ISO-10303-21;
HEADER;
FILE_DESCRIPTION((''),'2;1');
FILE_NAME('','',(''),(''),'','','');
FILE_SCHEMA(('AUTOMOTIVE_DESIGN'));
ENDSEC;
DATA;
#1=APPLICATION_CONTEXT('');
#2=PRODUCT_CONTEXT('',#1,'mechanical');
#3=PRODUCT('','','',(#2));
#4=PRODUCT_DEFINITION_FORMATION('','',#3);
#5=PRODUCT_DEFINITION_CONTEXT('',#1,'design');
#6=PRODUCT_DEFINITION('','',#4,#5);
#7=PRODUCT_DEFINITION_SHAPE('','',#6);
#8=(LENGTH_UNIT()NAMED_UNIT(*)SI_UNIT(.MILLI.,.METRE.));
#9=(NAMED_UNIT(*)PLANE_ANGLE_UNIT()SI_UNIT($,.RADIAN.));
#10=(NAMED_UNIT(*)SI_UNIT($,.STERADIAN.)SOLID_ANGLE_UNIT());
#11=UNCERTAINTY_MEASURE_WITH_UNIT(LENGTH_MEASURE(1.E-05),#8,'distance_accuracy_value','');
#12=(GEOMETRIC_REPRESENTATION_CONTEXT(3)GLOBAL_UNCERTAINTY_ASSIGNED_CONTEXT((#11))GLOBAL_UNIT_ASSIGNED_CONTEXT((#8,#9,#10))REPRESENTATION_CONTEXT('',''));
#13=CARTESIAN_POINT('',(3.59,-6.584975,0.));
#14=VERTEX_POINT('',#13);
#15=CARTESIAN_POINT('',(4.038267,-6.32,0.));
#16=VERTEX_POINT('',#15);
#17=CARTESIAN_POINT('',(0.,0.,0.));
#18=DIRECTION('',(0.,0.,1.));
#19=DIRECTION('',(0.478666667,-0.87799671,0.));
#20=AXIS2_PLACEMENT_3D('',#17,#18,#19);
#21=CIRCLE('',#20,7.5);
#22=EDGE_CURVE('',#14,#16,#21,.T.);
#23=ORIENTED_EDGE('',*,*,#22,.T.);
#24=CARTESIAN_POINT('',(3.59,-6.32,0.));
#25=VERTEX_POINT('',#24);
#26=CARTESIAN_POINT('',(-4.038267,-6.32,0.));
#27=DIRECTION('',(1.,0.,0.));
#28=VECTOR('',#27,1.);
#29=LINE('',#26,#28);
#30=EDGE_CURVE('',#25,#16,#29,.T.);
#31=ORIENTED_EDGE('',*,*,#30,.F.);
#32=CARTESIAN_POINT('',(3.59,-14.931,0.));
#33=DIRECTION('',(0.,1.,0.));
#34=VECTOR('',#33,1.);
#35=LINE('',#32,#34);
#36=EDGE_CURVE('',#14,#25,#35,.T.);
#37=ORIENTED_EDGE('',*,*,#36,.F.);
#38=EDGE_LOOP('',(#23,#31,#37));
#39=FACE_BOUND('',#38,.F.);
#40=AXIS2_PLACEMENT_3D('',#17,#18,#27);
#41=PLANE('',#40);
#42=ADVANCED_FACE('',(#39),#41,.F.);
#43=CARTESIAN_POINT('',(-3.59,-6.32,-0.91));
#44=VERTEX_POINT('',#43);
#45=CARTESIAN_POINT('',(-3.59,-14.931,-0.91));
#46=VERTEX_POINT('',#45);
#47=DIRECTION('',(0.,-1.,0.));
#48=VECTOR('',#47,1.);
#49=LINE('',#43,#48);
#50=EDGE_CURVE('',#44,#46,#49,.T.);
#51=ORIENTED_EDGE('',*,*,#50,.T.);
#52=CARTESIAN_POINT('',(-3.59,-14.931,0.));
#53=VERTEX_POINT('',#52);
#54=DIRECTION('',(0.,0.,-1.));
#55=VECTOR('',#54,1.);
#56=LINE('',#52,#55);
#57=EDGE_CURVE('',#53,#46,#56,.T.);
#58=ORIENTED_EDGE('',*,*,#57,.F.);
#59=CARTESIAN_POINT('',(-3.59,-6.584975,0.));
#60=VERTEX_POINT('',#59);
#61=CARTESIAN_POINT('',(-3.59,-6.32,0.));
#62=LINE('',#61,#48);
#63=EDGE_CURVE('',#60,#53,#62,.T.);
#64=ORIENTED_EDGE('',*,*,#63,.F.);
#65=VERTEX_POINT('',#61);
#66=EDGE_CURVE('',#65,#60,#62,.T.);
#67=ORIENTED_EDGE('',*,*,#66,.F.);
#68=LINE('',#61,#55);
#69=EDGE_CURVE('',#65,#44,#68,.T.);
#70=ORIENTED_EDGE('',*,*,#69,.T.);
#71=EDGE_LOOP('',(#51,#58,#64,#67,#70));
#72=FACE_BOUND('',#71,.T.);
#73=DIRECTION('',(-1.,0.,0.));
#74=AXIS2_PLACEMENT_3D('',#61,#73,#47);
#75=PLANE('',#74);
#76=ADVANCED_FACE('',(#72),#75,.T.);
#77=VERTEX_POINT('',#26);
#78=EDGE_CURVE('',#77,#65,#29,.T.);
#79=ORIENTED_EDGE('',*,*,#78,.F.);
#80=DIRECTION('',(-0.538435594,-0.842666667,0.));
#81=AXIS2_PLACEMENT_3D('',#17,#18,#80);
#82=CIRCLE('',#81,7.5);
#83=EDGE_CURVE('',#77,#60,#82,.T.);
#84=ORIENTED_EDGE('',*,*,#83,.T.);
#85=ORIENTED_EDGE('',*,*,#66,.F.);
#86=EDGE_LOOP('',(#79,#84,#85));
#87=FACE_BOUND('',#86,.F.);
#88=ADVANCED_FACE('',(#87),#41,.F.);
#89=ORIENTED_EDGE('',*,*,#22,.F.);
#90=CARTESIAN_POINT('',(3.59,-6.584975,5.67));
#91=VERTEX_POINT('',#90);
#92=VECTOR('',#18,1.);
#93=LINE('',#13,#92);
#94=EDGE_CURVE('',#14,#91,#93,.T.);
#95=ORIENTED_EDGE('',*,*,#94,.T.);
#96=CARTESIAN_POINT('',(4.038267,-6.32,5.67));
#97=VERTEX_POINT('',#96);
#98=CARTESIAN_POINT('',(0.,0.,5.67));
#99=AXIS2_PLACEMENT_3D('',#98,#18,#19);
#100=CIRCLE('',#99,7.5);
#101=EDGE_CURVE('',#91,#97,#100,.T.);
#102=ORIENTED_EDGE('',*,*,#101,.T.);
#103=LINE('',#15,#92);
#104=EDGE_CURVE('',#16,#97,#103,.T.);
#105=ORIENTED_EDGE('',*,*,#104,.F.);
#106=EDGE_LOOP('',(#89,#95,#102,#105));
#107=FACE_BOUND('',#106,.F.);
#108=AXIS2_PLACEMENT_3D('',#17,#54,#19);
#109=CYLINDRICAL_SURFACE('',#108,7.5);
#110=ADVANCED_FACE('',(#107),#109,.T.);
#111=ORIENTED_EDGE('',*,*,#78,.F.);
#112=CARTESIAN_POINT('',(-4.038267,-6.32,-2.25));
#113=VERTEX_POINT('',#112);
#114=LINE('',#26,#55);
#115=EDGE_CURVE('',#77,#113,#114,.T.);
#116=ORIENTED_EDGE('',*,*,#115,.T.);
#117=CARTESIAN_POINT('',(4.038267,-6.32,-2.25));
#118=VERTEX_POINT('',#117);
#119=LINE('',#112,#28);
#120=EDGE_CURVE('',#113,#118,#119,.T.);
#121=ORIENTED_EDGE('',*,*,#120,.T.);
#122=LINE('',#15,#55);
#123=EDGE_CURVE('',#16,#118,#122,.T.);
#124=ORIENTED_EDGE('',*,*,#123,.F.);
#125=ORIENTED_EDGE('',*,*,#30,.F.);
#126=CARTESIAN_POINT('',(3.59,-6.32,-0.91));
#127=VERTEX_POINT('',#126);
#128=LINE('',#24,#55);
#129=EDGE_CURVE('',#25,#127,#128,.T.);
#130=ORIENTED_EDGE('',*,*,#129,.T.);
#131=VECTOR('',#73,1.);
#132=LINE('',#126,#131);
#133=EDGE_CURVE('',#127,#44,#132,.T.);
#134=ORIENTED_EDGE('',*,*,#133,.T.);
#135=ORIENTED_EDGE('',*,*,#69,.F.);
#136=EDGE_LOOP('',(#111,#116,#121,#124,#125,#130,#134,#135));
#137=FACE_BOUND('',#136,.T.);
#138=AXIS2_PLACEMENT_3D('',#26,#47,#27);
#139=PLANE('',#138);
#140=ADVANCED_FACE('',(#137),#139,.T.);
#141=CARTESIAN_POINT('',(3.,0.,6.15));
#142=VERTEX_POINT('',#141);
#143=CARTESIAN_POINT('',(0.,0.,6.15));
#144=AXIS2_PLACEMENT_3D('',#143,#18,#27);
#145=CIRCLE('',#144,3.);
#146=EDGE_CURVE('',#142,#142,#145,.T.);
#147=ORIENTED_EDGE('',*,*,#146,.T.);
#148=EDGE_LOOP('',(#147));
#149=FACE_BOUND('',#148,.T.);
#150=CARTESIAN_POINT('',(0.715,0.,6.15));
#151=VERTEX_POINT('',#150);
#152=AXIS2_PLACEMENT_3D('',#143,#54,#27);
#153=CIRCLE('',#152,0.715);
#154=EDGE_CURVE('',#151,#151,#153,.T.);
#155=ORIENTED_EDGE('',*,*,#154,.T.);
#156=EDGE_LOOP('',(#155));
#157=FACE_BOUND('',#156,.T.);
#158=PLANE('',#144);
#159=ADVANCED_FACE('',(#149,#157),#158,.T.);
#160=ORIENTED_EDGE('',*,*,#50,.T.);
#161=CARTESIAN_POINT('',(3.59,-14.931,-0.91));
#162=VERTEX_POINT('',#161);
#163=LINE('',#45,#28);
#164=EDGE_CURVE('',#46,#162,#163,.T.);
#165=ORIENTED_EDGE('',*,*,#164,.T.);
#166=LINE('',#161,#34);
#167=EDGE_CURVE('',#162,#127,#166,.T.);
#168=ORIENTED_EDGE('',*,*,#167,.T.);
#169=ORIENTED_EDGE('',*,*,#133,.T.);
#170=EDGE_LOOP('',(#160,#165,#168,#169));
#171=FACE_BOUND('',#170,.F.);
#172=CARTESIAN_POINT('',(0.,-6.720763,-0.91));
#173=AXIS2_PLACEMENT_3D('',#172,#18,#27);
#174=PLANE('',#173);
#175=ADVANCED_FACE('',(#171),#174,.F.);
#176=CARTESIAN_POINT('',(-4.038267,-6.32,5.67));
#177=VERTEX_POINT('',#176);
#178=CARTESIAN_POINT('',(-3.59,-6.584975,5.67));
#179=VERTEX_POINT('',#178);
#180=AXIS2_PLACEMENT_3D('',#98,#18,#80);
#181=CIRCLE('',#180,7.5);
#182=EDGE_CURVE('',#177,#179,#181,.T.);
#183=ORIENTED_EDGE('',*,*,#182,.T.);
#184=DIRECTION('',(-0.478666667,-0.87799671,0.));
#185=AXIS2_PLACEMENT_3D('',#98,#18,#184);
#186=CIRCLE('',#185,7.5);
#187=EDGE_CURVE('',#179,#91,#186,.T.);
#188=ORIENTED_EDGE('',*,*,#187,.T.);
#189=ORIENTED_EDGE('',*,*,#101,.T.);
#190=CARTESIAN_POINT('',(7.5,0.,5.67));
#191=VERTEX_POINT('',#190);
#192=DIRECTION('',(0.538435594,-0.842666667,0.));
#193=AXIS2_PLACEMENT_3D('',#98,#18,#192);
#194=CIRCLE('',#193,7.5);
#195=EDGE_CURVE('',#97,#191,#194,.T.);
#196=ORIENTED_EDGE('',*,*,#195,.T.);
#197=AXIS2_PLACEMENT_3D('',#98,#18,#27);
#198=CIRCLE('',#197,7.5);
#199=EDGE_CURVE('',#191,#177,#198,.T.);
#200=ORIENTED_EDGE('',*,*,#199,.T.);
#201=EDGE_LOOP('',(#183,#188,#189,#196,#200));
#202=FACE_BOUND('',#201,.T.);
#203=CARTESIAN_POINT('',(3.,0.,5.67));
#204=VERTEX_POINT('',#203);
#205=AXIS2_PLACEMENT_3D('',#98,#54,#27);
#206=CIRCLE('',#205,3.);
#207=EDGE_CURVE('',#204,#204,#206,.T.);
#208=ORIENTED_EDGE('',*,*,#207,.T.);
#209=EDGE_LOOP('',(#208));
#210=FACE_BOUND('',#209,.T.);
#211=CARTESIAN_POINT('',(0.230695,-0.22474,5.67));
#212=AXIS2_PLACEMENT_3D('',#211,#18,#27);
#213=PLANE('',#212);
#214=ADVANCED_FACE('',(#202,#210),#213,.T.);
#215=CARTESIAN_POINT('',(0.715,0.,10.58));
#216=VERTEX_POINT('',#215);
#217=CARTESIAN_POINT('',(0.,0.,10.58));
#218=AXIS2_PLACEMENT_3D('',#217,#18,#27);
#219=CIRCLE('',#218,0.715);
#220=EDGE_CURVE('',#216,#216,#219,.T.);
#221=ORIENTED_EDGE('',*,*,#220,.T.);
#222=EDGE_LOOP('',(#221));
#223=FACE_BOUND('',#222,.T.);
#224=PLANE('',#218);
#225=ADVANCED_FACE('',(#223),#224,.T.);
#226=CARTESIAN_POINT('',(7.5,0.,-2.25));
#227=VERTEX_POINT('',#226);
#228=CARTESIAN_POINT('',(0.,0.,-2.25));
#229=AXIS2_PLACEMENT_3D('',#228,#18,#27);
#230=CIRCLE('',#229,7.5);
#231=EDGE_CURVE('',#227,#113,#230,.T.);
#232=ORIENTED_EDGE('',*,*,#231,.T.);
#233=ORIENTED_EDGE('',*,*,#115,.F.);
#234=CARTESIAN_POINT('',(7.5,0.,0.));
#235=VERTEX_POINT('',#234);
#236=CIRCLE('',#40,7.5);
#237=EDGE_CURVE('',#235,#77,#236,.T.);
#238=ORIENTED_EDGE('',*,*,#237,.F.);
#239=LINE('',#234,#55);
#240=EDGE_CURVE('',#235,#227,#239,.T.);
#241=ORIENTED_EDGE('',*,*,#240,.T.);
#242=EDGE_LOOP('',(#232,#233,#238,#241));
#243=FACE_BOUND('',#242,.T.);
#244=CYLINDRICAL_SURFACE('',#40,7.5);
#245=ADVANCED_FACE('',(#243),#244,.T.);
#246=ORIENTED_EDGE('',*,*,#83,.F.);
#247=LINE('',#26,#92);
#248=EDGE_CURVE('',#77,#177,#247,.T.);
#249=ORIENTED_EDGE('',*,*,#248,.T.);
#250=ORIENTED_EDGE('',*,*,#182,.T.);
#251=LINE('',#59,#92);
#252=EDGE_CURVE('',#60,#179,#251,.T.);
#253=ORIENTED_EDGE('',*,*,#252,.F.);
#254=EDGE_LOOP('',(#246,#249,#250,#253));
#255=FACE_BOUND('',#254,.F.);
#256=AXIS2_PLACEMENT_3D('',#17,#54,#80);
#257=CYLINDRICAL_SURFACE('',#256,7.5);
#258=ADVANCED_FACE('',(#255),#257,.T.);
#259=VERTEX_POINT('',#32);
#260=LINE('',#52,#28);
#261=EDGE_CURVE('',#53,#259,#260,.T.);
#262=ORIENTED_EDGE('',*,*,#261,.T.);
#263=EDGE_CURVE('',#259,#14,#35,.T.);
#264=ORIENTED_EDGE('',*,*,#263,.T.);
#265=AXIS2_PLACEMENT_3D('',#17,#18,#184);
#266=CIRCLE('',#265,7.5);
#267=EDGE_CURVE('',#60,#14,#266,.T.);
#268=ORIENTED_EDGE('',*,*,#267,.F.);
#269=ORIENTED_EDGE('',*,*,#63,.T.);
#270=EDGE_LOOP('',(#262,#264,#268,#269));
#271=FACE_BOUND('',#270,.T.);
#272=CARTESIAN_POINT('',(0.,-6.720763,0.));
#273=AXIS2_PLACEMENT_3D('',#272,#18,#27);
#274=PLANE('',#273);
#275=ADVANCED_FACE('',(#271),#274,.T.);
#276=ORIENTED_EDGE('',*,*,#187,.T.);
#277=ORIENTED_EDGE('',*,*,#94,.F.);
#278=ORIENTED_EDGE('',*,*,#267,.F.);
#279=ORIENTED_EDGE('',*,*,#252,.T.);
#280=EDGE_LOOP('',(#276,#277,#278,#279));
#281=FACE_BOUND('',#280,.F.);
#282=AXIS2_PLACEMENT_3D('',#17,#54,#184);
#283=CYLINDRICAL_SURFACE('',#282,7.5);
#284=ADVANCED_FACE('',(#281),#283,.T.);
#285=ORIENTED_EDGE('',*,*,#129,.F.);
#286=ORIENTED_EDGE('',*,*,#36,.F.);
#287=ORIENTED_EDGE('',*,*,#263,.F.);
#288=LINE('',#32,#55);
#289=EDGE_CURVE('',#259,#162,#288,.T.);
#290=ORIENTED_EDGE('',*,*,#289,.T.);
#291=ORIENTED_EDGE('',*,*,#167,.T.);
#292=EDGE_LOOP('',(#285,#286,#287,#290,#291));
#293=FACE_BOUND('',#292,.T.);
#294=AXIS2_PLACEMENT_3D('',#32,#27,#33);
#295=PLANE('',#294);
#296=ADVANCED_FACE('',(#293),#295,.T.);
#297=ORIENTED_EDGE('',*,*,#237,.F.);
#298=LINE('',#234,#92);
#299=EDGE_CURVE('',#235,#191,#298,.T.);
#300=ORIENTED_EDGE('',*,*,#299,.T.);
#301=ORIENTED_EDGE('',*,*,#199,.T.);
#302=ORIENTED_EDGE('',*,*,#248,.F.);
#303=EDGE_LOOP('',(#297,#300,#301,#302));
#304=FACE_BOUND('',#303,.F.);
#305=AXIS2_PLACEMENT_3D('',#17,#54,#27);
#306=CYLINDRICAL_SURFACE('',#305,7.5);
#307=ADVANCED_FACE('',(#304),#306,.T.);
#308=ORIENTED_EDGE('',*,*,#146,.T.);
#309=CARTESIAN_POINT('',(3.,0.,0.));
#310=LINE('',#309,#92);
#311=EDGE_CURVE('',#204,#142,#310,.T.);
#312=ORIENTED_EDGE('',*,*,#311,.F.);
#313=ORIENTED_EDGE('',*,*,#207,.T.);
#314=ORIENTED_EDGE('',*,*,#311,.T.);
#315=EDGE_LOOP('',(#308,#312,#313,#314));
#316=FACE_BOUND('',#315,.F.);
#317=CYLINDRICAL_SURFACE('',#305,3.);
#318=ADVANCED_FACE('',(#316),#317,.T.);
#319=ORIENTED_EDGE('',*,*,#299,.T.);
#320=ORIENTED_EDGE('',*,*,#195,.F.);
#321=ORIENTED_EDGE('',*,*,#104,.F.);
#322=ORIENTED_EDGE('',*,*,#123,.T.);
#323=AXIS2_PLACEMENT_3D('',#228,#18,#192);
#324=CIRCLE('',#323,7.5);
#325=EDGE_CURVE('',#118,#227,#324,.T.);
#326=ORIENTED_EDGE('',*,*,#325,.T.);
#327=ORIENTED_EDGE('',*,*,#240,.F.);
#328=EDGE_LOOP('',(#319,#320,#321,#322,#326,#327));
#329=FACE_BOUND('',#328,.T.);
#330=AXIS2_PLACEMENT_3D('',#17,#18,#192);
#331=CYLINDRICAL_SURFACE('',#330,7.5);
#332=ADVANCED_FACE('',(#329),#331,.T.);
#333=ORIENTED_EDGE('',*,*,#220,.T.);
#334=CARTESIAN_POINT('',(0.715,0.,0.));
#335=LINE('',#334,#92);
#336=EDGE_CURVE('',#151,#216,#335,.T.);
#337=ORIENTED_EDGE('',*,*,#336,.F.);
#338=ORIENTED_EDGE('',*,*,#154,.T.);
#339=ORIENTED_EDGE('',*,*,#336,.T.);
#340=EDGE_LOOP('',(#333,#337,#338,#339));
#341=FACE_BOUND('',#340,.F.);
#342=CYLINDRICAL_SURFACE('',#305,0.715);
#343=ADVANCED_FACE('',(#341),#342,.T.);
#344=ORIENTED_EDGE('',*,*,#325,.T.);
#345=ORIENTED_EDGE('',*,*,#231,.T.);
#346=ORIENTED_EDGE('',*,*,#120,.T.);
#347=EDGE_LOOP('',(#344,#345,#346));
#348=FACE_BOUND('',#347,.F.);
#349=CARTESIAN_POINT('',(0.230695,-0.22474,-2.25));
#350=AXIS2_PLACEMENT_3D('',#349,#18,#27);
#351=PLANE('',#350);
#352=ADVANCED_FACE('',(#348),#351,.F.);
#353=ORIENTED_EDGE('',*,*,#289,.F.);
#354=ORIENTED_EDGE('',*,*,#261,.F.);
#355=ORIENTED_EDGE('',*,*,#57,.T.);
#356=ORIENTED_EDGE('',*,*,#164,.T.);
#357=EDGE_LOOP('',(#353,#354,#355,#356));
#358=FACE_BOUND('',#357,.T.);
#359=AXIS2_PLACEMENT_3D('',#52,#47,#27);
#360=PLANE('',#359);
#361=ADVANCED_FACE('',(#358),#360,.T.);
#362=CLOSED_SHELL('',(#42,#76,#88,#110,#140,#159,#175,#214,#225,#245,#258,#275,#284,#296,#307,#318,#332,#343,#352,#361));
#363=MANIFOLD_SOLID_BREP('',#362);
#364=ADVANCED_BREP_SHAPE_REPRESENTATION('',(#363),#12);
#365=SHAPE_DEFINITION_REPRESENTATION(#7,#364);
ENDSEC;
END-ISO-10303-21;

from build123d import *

# Parameters (mm, degrees)
F0_R     = 3
F0_R_2   = 0.715
F1_DEPTH = 5.67
F2_DEPTH = 6.15
F3_DEPTH = 10.58
F4_DEPTH = 2.25
F5_DEPTH = 0.91


with BuildPart() as f1:
    # F0 (on Top) → F1 (new body)
    with BuildSketch(Plane.XY):
        with BuildLine():
            ThreePointArc((4.038266955, -6.32), (6.5778796798, -3.6029847236), (7.5, 0))
            ThreePointArc((7.5, 0), (-3.6029847236, 6.5778796798), (-4.038266955, -6.32))
            Line((-4.038266955, -6.32), (-3.59, -6.32))
            Line((-3.59, -6.32), (3.59, -6.32))
            Line((3.59, -6.32), (4.038266955, -6.32))
        make_face()
        Circle(F0_R, mode=Mode.SUBTRACT)
        Circle(F0_R)
        Circle(F0_R_2, mode=Mode.SUBTRACT)
        with BuildLine():
            Line((-3.59, -6.32), (-3.59, -6.5849753227))
            ThreePointArc((-3.59, -6.5849753227), (0, -7.5), (3.59, -6.5849753227))
            Line((3.59, -6.5849753227), (3.59, -6.32))
            Line((3.59, -6.32), (-3.59, -6.32))
        make_face()
        Circle(F0_R_2)
        with BuildLine():
            ThreePointArc((3.59, -6.5849753227), (3.8164338282, -6.4563792357), (4.038266955, -6.32))
            Line((4.038266955, -6.32), (3.59, -6.32))
            Line((3.59, -6.32), (3.59, -6.5849753227))
        make_face()
        with BuildLine():
            Line((-3.59, -6.32), (-4.038266955, -6.32))
            ThreePointArc((-4.038266955, -6.32), (-3.8164338282, -6.4563792357), (-3.59, -6.5849753227))
            Line((-3.59, -6.5849753227), (-3.59, -6.32))
        make_face()
    extrude(amount=F1_DEPTH)

    # F0 (on Top) → F2 (join)
    with BuildSketch(Plane.XY):
        Circle(F0_R)
        Circle(F0_R_2, mode=Mode.SUBTRACT)
        Circle(F0_R_2)
    extrude(amount=F2_DEPTH)

    # F0 (on Top) → F3 (join)
    with BuildSketch(Plane.XY):
        Circle(F0_R_2)
    extrude(amount=F3_DEPTH)

    # F0 (on Top) → F4 (join)
    with BuildSketch(Plane.XY):
        with BuildLine():
            ThreePointArc((4.038266955, -6.32), (6.5778796798, -3.6029847236), (7.5, 0))
            ThreePointArc((7.5, 0), (-3.6029847236, 6.5778796798), (-4.038266955, -6.32))
            Line((-4.038266955, -6.32), (-3.59, -6.32))
            Line((-3.59, -6.32), (3.59, -6.32))
            Line((3.59, -6.32), (4.038266955, -6.32))
        make_face()
        Circle(F0_R, mode=Mode.SUBTRACT)
        Circle(F0_R)
        Circle(F0_R_2, mode=Mode.SUBTRACT)
        Circle(F0_R_2)
    extrude(amount=-F4_DEPTH)

    # F0 (on Top) → F5 (join)
    with BuildSketch(Plane.XY):
        with BuildLine():
            Line((-3.59, -6.32), (-3.59, -6.5849753227))
            ThreePointArc((-3.59, -6.5849753227), (0, -7.5), (3.59, -6.5849753227))
            Line((3.59, -6.5849753227), (3.59, -6.32))
            Line((3.59, -6.32), (-3.59, -6.32))
        make_face()
        with BuildLine():
            ThreePointArc((3.59, -6.5849753227), (0, -7.5), (-3.59, -6.5849753227))
            Line((-3.59, -6.5849753227), (-3.59, -14.931))
            Line((-3.59, -14.931), (3.59, -14.931))
            Line((3.59, -14.931), (3.59, -6.5849753227))
        make_face()
    extrude(amount=-F5_DEPTH)


solid = f1.part
